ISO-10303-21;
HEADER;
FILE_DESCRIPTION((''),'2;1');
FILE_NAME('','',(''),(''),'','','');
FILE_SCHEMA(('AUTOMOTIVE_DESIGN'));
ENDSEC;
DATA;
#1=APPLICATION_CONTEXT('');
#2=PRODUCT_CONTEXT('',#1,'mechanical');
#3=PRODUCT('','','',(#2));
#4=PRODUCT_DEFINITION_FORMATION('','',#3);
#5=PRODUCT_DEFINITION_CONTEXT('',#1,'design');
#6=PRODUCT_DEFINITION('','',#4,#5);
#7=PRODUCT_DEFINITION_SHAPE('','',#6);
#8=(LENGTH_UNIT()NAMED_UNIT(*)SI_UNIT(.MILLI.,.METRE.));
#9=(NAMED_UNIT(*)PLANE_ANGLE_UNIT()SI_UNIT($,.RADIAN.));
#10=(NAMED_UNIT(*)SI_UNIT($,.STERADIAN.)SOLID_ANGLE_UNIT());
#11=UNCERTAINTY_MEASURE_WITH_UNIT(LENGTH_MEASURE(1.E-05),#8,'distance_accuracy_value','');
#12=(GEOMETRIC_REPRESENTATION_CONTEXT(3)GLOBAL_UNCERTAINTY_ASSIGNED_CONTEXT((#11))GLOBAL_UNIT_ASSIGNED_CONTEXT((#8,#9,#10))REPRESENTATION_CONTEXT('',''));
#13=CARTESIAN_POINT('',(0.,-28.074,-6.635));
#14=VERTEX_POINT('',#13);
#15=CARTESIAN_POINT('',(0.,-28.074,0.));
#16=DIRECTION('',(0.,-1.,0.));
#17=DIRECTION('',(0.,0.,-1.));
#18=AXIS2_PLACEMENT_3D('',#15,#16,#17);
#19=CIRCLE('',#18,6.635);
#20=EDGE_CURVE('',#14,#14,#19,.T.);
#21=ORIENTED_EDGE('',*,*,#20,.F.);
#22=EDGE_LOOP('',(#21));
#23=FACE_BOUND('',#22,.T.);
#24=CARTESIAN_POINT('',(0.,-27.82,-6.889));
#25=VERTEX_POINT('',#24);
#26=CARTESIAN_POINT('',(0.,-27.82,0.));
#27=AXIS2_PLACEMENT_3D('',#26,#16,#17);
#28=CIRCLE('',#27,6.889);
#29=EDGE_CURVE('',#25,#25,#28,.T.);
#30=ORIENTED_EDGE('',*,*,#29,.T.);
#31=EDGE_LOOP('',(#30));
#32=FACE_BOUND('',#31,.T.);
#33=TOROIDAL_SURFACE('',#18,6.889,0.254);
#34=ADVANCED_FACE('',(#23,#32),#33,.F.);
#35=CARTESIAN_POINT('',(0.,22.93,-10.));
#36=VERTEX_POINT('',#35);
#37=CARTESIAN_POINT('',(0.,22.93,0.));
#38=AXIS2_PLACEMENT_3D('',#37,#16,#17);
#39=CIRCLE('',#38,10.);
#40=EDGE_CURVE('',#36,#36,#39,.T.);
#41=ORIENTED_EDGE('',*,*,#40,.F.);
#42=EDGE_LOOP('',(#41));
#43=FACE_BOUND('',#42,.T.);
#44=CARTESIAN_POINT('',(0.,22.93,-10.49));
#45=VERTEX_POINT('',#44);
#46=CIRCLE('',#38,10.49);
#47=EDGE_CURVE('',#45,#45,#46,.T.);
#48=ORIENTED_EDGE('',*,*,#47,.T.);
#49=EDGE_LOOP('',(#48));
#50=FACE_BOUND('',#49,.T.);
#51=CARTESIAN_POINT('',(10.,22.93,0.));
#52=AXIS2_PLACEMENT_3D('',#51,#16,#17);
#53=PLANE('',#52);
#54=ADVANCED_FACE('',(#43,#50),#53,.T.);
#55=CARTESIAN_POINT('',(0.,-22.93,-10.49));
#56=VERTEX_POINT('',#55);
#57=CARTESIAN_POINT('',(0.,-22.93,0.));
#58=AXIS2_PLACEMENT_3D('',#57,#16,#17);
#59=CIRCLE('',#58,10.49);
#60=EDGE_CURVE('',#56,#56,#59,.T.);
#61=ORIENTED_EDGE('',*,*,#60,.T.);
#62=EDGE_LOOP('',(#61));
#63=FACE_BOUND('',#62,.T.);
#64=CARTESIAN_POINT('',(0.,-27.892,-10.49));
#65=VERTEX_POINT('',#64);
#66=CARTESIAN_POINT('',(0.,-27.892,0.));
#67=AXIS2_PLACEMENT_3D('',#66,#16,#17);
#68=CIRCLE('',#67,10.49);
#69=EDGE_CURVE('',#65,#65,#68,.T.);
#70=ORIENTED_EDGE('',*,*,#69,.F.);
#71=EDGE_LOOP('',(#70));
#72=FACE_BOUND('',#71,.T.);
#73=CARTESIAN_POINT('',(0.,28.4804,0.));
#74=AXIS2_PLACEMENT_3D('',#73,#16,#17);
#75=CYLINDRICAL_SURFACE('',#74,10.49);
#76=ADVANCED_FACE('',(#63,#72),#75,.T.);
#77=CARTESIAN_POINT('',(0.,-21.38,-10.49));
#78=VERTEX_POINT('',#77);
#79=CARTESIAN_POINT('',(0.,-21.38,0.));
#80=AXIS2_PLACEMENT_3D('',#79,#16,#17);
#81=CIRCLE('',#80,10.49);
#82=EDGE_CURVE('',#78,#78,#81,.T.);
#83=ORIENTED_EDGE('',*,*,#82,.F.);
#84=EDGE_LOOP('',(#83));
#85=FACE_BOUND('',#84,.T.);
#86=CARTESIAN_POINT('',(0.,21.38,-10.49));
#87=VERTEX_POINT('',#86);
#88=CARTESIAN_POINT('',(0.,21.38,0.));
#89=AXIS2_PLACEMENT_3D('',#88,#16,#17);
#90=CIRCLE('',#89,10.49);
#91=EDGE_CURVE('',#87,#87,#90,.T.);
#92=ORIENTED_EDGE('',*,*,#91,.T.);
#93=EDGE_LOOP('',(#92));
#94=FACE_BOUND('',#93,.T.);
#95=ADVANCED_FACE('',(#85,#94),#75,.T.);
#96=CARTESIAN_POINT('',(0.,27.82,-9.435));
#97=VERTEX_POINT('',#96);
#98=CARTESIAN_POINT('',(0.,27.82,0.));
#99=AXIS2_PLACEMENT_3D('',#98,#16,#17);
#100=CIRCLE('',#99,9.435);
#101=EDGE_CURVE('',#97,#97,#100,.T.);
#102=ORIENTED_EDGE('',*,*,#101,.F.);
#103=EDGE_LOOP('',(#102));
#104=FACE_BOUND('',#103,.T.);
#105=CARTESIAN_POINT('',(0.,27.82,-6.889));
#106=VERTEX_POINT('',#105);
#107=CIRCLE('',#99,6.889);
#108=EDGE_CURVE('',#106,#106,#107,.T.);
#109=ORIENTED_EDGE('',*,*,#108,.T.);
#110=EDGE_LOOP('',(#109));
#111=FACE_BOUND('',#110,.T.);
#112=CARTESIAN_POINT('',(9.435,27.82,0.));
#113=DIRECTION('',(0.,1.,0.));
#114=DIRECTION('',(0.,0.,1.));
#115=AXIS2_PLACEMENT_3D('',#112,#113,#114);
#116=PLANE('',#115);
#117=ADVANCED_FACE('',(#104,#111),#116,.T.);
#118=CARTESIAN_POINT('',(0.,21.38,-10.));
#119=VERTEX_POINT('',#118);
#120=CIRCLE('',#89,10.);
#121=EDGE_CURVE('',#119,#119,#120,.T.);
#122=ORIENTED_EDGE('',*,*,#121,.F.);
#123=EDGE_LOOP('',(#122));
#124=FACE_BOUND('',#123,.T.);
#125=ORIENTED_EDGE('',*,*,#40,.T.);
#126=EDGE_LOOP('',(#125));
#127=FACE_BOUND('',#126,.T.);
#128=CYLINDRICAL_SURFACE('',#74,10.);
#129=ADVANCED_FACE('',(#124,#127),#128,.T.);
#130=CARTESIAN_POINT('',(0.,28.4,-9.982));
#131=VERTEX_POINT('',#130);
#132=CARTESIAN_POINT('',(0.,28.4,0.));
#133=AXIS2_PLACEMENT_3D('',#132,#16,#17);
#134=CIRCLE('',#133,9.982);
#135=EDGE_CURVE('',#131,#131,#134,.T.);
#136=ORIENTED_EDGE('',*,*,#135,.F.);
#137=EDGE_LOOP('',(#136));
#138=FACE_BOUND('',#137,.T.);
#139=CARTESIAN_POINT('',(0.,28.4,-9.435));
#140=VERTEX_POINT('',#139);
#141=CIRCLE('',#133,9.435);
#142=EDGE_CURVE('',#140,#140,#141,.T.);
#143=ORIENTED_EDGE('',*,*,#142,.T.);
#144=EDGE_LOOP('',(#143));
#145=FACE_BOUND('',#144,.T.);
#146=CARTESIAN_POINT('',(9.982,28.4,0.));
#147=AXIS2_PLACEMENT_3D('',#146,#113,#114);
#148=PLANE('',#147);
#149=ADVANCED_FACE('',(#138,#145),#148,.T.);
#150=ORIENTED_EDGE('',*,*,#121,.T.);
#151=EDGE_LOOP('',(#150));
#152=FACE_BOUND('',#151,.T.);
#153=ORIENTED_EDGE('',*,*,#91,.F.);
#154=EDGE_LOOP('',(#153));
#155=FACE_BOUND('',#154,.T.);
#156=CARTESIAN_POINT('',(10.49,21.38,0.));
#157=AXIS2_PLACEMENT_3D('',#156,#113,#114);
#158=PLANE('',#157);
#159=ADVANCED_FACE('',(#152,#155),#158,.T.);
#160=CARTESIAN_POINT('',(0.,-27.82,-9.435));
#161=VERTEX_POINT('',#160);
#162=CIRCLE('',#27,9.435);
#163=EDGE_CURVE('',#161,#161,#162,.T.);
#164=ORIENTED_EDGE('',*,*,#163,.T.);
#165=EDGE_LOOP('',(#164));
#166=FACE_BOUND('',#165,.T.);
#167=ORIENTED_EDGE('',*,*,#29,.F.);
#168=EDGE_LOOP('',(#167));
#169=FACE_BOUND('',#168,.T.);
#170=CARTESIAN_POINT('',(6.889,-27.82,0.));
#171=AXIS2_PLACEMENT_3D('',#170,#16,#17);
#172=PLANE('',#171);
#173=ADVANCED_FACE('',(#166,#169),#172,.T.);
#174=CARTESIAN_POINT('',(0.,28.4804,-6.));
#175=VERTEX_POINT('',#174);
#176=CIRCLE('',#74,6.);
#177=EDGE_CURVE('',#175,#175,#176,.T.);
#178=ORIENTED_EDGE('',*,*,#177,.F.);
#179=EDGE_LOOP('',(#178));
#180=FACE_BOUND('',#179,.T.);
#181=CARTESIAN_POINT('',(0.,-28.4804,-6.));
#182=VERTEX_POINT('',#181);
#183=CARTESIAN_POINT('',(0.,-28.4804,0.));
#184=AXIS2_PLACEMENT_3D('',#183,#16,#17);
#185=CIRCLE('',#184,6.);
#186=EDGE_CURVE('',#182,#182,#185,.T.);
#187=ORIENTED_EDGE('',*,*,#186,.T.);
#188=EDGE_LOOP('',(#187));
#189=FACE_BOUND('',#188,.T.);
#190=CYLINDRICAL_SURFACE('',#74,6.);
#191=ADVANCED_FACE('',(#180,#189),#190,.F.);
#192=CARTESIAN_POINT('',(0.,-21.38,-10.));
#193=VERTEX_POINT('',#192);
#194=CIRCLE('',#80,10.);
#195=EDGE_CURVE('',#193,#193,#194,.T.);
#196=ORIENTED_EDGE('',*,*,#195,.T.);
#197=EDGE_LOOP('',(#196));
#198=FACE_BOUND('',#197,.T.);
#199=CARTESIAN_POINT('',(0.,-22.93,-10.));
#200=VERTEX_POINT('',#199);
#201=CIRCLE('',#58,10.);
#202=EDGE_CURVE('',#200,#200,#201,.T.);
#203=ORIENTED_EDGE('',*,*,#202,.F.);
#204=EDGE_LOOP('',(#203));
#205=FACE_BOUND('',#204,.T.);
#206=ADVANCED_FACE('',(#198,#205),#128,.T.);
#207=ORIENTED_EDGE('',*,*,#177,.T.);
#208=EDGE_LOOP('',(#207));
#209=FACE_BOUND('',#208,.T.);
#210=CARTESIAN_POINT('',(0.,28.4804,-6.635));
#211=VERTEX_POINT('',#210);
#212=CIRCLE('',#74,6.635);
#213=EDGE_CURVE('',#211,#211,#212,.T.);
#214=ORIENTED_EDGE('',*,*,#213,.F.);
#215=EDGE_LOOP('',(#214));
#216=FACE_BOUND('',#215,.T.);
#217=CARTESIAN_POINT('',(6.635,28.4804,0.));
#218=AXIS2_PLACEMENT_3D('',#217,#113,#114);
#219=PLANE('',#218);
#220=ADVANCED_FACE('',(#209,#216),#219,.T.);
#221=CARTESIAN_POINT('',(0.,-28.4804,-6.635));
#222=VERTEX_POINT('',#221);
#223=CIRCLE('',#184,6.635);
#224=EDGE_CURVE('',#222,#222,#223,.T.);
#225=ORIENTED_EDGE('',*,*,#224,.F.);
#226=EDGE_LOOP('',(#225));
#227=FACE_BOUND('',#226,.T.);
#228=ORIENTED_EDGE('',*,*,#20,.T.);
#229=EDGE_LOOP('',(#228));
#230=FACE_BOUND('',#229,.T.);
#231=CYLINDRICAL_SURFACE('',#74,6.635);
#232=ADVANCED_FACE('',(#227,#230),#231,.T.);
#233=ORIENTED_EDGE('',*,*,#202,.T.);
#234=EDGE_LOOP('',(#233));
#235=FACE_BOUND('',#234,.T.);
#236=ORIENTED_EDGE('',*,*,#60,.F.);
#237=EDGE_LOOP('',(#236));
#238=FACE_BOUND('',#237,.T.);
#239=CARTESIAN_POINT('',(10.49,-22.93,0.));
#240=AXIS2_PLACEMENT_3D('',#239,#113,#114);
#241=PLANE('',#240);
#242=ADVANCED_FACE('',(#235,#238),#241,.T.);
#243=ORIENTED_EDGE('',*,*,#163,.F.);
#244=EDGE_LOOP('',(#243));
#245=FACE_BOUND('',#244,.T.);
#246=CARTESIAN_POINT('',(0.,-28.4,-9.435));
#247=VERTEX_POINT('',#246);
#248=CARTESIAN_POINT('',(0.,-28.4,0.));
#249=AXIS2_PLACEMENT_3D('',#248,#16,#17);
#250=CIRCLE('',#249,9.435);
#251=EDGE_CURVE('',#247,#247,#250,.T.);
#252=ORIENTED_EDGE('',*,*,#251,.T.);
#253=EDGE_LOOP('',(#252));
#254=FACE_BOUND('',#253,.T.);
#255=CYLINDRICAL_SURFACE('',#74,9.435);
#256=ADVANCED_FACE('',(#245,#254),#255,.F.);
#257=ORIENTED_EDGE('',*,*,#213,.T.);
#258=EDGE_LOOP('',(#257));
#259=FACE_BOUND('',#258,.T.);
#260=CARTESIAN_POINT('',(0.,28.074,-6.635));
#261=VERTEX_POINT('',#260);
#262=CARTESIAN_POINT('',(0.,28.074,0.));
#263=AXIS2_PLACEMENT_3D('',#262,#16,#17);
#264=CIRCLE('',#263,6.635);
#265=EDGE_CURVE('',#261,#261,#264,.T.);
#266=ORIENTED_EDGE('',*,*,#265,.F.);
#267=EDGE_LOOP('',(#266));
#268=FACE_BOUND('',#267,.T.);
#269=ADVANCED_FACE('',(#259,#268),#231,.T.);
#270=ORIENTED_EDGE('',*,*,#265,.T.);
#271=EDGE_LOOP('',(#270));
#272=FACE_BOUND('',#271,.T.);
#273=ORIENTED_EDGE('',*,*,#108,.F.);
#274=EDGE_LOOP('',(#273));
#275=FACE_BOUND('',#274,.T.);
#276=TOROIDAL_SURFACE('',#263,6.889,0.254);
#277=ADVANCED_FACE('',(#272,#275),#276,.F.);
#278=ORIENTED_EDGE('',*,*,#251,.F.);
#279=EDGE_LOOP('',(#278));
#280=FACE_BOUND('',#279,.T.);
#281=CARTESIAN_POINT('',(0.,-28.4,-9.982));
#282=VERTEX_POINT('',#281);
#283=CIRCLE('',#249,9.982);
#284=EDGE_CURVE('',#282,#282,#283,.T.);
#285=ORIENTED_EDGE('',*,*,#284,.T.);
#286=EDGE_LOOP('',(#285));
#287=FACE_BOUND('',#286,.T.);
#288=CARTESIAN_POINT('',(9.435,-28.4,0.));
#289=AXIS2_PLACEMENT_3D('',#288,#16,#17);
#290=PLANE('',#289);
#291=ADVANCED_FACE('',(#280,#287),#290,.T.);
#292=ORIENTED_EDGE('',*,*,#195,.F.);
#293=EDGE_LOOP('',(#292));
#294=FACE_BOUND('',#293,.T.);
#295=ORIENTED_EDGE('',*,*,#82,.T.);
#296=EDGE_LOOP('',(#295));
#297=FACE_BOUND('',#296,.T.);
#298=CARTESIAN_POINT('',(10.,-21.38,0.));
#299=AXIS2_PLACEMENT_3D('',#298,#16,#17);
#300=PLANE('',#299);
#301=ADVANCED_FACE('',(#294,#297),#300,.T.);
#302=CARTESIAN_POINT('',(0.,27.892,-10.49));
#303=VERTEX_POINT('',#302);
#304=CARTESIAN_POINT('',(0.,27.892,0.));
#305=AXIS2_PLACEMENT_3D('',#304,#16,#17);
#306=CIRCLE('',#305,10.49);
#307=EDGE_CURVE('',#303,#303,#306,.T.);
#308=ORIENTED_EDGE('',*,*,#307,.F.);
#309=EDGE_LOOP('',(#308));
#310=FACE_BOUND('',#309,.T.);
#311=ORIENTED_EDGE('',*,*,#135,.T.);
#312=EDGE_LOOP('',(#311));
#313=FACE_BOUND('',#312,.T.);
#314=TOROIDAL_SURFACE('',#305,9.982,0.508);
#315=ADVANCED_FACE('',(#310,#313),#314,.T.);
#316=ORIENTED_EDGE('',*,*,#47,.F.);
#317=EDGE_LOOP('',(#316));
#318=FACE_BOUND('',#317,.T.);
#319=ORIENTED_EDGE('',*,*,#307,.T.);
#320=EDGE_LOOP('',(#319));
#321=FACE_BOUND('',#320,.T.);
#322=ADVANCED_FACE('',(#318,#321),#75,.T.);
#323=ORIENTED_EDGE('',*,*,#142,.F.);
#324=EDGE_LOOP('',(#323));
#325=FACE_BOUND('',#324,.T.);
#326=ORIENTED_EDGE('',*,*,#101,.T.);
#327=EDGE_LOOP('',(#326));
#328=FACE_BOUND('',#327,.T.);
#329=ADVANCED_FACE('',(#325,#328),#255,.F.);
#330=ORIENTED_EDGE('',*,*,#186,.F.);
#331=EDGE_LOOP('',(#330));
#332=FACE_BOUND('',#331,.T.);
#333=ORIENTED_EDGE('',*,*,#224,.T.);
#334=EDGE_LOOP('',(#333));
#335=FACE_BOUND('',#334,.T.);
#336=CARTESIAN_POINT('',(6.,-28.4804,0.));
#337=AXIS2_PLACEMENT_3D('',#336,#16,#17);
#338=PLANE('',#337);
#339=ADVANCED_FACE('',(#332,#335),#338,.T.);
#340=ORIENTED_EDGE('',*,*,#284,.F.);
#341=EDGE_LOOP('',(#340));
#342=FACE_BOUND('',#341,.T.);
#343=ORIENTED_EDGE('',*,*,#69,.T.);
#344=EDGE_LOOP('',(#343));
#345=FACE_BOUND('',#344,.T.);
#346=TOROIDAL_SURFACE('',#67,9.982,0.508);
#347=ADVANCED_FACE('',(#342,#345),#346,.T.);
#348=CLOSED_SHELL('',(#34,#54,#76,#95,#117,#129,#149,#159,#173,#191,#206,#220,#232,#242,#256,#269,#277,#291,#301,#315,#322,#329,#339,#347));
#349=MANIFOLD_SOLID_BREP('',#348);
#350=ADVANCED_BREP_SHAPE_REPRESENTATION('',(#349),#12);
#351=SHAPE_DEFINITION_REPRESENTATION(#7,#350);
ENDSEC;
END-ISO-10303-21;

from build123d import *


with BuildPart() as part:
    # Sketch1 → Revolve1 (revolve)
    with BuildSketch(Plane.XY, mode=Mode.PRIVATE) as revolve1_sk:
        with BuildLine():
            Line((6.635, 28.4804), (6, 28.4804))
            Line((6, 28.4804), (6, -28.4804))
            Line((6, -28.4804), (6.635, -28.4804))
            Line((6.635, -28.4804), (6.635, -28.074))
            ThreePointArc((6.635, -28.074), (6.709394878, -27.894394878), (6.889, -27.82))
            Line((6.889, -27.82), (9.435, -27.82))
            Line((9.435, -27.82), (9.435, -28.4))
            Line((9.435, -28.4), (9.982, -28.4))
            ThreePointArc((9.982, -28.4), (10.341210245, -28.251210245), (10.49, -27.892))
            Line((10.49, -27.892), (10.49, -22.93))
            Line((10.49, -22.93), (10, -22.93))
            Line((10, -22.93), (10, -21.38))
            Line((10, -21.38), (10.49, -21.38))
            Line((10.49, -21.38), (10.49, 21.38))
            Line((10.49, 21.38), (10, 21.38))
            Line((10, 21.38), (10, 22.93))
            Line((10, 22.93), (10.49, 22.93))
            Line((10.49, 22.93), (10.49, 27.892))
            ThreePointArc((10.49, 27.892), (10.341210245, 28.251210245), (9.982, 28.4))
            Line((9.982, 28.4), (9.435, 28.4))
            Line((9.435, 28.4), (9.435, 27.82))
            Line((9.435, 27.82), (6.889, 27.82))
            ThreePointArc((6.889, 27.82), (6.709394878, 27.894394878), (6.635, 28.074))
            Line((6.635, 28.074), (6.635, 28.4804))
        make_face()
    revolve(revolve1_sk.sketch.rotate(Axis((0, 28.4804, 0), (0, -1, 0)), 270), axis=Axis((0, 28.4804, 0), (0, -1, 0)))


solid = part.part
